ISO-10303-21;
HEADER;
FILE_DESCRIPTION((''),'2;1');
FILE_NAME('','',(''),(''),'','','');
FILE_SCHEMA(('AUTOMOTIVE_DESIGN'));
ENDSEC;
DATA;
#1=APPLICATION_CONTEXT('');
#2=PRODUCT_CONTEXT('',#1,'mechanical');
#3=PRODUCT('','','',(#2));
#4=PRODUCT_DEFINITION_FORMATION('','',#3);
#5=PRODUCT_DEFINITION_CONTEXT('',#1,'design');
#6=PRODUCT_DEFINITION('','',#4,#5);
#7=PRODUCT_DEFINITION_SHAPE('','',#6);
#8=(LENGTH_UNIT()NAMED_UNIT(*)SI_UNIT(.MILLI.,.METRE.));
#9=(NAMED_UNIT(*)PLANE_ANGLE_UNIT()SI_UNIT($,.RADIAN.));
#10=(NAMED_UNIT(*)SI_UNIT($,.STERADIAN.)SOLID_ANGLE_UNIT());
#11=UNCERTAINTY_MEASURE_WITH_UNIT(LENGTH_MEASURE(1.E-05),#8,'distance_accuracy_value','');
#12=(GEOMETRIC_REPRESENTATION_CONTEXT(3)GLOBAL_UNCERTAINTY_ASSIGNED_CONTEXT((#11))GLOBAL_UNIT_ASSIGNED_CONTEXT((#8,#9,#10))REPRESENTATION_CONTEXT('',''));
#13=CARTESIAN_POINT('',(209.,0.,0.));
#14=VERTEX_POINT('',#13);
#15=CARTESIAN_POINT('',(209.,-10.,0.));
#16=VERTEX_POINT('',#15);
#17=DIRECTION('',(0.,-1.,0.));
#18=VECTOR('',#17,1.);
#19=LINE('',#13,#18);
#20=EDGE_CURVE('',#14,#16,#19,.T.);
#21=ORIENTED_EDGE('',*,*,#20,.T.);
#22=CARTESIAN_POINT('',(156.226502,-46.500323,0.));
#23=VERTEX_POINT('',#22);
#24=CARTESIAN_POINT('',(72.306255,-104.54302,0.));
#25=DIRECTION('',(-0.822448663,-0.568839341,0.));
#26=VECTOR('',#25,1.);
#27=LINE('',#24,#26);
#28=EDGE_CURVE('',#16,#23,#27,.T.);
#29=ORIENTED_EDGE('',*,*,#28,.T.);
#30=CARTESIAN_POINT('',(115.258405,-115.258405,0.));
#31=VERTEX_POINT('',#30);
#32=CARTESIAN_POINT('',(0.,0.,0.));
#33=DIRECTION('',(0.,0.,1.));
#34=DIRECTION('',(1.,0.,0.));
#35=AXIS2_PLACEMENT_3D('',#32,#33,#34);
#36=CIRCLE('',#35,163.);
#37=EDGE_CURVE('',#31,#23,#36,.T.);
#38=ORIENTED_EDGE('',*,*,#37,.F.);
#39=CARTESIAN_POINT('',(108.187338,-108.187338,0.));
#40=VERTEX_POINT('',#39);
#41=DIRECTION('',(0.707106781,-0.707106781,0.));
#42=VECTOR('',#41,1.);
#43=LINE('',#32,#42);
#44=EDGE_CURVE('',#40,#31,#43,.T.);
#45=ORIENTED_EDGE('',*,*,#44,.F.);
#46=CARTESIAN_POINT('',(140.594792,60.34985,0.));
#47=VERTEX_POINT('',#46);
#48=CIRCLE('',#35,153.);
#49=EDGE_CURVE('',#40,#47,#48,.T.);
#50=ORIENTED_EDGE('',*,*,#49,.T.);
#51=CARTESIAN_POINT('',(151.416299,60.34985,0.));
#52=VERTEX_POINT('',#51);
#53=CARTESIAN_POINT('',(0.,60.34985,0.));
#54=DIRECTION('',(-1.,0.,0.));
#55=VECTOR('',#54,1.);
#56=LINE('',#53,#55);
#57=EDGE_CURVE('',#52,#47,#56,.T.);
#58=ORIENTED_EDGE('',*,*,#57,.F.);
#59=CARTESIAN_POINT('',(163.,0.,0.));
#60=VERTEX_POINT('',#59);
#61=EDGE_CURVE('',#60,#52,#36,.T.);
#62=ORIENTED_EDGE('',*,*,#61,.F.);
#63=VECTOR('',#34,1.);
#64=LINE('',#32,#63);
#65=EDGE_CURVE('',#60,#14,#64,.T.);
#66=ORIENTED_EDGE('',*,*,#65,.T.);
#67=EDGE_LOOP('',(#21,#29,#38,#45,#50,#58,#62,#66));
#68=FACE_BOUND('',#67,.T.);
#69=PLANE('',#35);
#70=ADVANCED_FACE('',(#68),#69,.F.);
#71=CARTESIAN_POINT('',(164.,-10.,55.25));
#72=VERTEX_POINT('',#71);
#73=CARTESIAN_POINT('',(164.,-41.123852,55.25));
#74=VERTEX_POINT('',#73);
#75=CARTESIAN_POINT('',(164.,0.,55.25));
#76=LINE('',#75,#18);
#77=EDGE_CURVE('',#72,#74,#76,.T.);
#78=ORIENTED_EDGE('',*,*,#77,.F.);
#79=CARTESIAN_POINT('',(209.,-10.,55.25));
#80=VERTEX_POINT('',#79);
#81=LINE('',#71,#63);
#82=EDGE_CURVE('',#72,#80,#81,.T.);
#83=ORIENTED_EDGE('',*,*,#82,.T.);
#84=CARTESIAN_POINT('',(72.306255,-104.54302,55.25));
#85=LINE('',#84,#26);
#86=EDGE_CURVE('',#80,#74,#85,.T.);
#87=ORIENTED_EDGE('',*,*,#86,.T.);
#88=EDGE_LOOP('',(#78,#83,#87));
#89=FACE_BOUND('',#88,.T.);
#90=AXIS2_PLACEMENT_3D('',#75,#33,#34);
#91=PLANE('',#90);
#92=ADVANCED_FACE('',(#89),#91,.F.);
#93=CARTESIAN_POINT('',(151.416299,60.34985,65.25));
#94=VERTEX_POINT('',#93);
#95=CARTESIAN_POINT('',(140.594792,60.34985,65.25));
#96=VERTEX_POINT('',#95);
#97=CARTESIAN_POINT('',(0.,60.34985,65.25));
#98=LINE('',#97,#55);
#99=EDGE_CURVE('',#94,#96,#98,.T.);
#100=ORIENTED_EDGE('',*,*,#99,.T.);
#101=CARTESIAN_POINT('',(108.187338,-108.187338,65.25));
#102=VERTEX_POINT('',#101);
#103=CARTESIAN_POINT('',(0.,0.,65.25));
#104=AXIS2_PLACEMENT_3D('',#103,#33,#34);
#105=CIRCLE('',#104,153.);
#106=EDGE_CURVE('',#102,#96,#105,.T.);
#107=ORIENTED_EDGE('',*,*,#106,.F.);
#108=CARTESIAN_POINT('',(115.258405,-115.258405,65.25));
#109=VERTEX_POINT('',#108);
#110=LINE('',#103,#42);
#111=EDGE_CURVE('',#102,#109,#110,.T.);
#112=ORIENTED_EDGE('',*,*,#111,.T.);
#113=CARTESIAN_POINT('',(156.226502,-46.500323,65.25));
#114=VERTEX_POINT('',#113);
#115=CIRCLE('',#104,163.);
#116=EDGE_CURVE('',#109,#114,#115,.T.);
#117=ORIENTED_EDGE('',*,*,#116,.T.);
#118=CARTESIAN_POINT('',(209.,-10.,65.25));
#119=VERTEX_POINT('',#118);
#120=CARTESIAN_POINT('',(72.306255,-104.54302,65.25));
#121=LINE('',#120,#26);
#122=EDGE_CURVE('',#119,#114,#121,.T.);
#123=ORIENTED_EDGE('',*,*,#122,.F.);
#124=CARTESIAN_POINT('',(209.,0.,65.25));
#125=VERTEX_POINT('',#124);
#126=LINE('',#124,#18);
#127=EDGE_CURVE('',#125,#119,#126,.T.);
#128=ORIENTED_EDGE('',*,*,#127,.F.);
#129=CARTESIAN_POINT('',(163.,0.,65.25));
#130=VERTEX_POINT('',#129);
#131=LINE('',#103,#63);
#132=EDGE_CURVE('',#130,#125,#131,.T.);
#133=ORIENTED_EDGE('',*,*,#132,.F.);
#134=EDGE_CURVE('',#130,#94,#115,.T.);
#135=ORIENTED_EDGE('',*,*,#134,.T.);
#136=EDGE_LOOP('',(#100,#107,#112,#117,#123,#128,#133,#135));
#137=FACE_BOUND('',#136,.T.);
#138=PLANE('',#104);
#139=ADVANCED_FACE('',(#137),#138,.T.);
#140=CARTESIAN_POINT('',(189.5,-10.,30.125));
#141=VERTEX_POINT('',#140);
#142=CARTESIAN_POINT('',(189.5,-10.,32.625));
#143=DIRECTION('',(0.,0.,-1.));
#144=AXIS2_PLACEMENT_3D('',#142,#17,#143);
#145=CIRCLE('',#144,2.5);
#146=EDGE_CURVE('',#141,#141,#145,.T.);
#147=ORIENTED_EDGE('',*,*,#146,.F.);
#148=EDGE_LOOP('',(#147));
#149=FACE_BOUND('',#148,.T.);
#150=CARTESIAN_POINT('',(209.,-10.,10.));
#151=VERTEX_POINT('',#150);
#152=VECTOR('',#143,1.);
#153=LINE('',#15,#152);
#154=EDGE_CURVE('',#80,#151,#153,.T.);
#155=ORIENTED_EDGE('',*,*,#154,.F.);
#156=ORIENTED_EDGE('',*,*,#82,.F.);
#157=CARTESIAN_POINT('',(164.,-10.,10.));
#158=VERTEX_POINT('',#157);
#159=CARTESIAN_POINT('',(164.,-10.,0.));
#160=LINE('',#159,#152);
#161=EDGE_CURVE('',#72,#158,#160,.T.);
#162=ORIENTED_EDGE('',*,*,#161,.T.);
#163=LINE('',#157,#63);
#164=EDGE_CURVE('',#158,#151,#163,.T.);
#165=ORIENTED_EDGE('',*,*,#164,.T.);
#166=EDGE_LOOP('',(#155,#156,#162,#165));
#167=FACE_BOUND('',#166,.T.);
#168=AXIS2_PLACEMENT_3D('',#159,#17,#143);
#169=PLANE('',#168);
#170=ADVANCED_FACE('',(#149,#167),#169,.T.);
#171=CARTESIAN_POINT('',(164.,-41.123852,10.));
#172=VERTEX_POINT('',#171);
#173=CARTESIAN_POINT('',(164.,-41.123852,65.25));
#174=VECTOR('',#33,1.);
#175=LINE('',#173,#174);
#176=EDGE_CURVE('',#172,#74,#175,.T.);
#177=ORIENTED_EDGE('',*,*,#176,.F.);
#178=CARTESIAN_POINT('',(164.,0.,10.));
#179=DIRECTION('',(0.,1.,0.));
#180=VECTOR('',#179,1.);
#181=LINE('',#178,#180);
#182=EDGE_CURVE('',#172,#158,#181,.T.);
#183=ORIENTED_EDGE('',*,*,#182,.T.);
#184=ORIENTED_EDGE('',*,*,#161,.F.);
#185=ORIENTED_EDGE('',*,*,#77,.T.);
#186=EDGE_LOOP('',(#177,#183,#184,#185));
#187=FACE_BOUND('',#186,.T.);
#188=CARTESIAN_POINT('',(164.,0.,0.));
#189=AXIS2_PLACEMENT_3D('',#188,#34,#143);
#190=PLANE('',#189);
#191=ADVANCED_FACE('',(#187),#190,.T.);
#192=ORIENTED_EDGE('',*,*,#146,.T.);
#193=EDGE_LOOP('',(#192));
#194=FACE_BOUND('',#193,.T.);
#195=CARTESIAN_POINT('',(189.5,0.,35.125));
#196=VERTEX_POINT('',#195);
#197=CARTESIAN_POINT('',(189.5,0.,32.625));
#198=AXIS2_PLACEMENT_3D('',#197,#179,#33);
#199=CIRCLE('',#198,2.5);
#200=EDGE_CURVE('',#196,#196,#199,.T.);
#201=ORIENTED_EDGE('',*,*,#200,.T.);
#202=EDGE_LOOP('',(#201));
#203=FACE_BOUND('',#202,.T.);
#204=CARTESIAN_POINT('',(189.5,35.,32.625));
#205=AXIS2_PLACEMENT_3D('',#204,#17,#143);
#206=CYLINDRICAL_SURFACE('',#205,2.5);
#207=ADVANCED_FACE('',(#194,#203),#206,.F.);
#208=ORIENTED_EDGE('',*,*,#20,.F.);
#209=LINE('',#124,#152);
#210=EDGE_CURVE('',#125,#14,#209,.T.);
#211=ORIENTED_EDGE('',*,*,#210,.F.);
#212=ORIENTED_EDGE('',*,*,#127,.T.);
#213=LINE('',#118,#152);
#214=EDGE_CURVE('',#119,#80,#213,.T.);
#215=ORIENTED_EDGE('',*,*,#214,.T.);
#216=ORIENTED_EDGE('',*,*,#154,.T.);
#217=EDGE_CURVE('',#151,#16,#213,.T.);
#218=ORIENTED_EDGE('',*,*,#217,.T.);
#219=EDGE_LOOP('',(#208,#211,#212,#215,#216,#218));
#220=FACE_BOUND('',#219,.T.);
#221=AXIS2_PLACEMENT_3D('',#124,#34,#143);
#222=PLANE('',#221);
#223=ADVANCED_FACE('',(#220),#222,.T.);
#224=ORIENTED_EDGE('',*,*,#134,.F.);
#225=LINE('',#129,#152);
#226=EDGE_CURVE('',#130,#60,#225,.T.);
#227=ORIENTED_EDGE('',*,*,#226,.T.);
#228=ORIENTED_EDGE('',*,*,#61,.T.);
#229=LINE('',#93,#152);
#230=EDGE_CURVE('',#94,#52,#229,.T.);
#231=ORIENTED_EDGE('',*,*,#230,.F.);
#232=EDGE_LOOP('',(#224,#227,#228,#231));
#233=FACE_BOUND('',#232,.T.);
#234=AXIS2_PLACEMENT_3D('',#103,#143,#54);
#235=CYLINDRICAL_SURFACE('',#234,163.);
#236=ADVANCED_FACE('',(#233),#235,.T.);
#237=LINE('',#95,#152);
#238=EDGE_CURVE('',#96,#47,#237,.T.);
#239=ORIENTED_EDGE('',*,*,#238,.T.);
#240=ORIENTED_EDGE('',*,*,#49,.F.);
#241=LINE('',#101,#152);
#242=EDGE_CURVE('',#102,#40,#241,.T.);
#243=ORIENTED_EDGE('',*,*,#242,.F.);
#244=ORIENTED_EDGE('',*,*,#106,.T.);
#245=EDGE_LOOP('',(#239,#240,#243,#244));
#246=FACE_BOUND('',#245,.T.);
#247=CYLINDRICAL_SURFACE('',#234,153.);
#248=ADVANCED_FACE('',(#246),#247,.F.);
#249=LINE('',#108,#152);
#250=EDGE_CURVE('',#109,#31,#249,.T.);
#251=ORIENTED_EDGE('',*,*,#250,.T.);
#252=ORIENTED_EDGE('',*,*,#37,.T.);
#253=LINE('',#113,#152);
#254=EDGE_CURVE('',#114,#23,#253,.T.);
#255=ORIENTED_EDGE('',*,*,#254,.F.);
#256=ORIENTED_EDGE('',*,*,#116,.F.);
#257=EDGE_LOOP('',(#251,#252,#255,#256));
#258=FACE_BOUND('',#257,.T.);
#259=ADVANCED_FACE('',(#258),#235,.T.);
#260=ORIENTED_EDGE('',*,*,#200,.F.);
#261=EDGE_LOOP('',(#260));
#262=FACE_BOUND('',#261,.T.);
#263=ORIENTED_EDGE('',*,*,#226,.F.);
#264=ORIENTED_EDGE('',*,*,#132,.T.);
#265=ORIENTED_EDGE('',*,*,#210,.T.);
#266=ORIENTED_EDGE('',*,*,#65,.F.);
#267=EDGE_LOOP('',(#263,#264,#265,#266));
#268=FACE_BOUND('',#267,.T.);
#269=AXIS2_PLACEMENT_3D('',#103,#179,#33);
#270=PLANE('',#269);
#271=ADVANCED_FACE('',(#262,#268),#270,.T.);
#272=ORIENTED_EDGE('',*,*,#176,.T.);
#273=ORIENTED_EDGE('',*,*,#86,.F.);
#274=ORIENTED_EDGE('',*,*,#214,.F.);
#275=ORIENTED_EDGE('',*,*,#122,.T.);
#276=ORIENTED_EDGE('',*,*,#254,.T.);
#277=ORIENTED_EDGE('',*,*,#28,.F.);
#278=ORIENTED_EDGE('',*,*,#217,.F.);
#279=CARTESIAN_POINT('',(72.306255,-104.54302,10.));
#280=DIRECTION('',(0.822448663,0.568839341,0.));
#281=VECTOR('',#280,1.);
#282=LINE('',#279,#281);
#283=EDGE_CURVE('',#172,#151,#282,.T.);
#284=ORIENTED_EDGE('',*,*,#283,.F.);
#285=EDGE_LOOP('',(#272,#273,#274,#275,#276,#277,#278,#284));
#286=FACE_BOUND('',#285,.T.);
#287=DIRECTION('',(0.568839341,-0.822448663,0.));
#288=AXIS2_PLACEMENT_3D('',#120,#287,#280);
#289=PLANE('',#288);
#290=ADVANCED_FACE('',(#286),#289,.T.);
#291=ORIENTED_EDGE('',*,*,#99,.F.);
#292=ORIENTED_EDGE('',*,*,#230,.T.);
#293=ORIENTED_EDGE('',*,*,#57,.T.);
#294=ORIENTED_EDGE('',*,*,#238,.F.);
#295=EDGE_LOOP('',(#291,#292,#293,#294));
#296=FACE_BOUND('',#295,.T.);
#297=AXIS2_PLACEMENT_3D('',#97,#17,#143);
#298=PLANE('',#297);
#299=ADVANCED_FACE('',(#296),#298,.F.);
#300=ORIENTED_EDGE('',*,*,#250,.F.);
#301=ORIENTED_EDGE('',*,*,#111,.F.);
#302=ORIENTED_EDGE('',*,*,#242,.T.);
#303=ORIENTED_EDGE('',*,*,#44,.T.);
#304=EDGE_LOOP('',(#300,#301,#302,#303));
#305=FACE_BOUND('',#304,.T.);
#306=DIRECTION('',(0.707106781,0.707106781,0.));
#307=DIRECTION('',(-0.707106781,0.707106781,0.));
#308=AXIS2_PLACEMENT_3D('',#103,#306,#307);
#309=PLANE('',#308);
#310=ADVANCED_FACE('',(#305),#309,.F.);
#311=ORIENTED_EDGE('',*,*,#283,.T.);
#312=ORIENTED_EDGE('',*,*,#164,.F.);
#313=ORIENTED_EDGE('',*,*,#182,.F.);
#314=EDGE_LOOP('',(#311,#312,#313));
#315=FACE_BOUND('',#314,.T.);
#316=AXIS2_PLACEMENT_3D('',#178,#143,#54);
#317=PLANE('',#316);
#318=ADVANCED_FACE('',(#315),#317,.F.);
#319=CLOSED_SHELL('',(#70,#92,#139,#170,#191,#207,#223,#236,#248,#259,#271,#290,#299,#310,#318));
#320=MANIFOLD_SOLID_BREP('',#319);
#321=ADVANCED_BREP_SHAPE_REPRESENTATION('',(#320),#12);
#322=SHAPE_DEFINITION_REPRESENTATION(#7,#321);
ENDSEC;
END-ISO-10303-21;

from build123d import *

# Parameters (mm, degrees)
SALIENTE_EXTRUIR1_DEPTH = 65.25
CROQUIS3_W              = 45.25
CROQUIS3_H              = 36.500322872
CORTAR_EXTRUIR1_DEPTH   = 45
CROQUIS5_R              = 2.5
CORTAR_EXTRUIR3_DEPTH   = 45
CROQUIS9_R              = 2.5
CORTAR_EXTRUIR5_DEPTH   = 45


with BuildPart() as part:
    # Croquis1 → Saliente-Extruir1 (new body)
    with BuildSketch(Plane.XY):
        with BuildLine():
            Line((209, 0), (163, 0))
            ThreePointArc((163, 0), (160.07788224, 30.725748448), (151.41629917, 60.349849592))
            Line((151.41629917, 60.349849592), (140.594792415, 60.349849592))
            ThreePointArc((140.594792415, 60.349849592), (150.24757204, -28.890605671), (108.187337522, -108.187337522))
            Line((108.187337522, -108.187337522), (115.258405333, -115.258405333))
            ThreePointArc((115.258405333, -115.258405333), (140.028326503, -83.43301371), (156.226502146, -46.500322872))
            Line((156.226502146, -46.500322872), (209, -10))
            Line((209, -10), (209, 0))
        make_face()
    extrude(amount=SALIENTE_EXTRUIR1_DEPTH)

    # Croquis3 → Cortar-Extruir1 (cut)
    with BuildSketch(Plane(origin=(209, 0, 0), x_dir=(0, 0, -1), z_dir=(1, 0, 0))):
        with Locations((-32.625, -28.250161436)):
            Rectangle(CROQUIS3_W, CROQUIS3_H)
    extrude(amount=-CORTAR_EXTRUIR1_DEPTH, mode=Mode.SUBTRACT)

    # Croquis5 → Cortar-Extruir3 (cut)
    with BuildSketch(Plane(origin=(10, 0, 0), x_dir=(0, 0, -1), z_dir=(1, 0, 0))):
        with Locations((-32.625, -172.846481178)):
            Circle(CROQUIS5_R)
    extrude(amount=-CORTAR_EXTRUIR3_DEPTH, mode=Mode.SUBTRACT)

    # Croquis9 → Cortar-Extruir5 (cut)
    with BuildSketch(Plane(origin=(0, -10, 0), x_dir=(-1, 0, 0), z_dir=(0, -1, 0))):
        with Locations((-189.5, -32.625)):
            Circle(CROQUIS9_R)
    extrude(amount=-CORTAR_EXTRUIR5_DEPTH, mode=Mode.SUBTRACT)


solid = part.part
